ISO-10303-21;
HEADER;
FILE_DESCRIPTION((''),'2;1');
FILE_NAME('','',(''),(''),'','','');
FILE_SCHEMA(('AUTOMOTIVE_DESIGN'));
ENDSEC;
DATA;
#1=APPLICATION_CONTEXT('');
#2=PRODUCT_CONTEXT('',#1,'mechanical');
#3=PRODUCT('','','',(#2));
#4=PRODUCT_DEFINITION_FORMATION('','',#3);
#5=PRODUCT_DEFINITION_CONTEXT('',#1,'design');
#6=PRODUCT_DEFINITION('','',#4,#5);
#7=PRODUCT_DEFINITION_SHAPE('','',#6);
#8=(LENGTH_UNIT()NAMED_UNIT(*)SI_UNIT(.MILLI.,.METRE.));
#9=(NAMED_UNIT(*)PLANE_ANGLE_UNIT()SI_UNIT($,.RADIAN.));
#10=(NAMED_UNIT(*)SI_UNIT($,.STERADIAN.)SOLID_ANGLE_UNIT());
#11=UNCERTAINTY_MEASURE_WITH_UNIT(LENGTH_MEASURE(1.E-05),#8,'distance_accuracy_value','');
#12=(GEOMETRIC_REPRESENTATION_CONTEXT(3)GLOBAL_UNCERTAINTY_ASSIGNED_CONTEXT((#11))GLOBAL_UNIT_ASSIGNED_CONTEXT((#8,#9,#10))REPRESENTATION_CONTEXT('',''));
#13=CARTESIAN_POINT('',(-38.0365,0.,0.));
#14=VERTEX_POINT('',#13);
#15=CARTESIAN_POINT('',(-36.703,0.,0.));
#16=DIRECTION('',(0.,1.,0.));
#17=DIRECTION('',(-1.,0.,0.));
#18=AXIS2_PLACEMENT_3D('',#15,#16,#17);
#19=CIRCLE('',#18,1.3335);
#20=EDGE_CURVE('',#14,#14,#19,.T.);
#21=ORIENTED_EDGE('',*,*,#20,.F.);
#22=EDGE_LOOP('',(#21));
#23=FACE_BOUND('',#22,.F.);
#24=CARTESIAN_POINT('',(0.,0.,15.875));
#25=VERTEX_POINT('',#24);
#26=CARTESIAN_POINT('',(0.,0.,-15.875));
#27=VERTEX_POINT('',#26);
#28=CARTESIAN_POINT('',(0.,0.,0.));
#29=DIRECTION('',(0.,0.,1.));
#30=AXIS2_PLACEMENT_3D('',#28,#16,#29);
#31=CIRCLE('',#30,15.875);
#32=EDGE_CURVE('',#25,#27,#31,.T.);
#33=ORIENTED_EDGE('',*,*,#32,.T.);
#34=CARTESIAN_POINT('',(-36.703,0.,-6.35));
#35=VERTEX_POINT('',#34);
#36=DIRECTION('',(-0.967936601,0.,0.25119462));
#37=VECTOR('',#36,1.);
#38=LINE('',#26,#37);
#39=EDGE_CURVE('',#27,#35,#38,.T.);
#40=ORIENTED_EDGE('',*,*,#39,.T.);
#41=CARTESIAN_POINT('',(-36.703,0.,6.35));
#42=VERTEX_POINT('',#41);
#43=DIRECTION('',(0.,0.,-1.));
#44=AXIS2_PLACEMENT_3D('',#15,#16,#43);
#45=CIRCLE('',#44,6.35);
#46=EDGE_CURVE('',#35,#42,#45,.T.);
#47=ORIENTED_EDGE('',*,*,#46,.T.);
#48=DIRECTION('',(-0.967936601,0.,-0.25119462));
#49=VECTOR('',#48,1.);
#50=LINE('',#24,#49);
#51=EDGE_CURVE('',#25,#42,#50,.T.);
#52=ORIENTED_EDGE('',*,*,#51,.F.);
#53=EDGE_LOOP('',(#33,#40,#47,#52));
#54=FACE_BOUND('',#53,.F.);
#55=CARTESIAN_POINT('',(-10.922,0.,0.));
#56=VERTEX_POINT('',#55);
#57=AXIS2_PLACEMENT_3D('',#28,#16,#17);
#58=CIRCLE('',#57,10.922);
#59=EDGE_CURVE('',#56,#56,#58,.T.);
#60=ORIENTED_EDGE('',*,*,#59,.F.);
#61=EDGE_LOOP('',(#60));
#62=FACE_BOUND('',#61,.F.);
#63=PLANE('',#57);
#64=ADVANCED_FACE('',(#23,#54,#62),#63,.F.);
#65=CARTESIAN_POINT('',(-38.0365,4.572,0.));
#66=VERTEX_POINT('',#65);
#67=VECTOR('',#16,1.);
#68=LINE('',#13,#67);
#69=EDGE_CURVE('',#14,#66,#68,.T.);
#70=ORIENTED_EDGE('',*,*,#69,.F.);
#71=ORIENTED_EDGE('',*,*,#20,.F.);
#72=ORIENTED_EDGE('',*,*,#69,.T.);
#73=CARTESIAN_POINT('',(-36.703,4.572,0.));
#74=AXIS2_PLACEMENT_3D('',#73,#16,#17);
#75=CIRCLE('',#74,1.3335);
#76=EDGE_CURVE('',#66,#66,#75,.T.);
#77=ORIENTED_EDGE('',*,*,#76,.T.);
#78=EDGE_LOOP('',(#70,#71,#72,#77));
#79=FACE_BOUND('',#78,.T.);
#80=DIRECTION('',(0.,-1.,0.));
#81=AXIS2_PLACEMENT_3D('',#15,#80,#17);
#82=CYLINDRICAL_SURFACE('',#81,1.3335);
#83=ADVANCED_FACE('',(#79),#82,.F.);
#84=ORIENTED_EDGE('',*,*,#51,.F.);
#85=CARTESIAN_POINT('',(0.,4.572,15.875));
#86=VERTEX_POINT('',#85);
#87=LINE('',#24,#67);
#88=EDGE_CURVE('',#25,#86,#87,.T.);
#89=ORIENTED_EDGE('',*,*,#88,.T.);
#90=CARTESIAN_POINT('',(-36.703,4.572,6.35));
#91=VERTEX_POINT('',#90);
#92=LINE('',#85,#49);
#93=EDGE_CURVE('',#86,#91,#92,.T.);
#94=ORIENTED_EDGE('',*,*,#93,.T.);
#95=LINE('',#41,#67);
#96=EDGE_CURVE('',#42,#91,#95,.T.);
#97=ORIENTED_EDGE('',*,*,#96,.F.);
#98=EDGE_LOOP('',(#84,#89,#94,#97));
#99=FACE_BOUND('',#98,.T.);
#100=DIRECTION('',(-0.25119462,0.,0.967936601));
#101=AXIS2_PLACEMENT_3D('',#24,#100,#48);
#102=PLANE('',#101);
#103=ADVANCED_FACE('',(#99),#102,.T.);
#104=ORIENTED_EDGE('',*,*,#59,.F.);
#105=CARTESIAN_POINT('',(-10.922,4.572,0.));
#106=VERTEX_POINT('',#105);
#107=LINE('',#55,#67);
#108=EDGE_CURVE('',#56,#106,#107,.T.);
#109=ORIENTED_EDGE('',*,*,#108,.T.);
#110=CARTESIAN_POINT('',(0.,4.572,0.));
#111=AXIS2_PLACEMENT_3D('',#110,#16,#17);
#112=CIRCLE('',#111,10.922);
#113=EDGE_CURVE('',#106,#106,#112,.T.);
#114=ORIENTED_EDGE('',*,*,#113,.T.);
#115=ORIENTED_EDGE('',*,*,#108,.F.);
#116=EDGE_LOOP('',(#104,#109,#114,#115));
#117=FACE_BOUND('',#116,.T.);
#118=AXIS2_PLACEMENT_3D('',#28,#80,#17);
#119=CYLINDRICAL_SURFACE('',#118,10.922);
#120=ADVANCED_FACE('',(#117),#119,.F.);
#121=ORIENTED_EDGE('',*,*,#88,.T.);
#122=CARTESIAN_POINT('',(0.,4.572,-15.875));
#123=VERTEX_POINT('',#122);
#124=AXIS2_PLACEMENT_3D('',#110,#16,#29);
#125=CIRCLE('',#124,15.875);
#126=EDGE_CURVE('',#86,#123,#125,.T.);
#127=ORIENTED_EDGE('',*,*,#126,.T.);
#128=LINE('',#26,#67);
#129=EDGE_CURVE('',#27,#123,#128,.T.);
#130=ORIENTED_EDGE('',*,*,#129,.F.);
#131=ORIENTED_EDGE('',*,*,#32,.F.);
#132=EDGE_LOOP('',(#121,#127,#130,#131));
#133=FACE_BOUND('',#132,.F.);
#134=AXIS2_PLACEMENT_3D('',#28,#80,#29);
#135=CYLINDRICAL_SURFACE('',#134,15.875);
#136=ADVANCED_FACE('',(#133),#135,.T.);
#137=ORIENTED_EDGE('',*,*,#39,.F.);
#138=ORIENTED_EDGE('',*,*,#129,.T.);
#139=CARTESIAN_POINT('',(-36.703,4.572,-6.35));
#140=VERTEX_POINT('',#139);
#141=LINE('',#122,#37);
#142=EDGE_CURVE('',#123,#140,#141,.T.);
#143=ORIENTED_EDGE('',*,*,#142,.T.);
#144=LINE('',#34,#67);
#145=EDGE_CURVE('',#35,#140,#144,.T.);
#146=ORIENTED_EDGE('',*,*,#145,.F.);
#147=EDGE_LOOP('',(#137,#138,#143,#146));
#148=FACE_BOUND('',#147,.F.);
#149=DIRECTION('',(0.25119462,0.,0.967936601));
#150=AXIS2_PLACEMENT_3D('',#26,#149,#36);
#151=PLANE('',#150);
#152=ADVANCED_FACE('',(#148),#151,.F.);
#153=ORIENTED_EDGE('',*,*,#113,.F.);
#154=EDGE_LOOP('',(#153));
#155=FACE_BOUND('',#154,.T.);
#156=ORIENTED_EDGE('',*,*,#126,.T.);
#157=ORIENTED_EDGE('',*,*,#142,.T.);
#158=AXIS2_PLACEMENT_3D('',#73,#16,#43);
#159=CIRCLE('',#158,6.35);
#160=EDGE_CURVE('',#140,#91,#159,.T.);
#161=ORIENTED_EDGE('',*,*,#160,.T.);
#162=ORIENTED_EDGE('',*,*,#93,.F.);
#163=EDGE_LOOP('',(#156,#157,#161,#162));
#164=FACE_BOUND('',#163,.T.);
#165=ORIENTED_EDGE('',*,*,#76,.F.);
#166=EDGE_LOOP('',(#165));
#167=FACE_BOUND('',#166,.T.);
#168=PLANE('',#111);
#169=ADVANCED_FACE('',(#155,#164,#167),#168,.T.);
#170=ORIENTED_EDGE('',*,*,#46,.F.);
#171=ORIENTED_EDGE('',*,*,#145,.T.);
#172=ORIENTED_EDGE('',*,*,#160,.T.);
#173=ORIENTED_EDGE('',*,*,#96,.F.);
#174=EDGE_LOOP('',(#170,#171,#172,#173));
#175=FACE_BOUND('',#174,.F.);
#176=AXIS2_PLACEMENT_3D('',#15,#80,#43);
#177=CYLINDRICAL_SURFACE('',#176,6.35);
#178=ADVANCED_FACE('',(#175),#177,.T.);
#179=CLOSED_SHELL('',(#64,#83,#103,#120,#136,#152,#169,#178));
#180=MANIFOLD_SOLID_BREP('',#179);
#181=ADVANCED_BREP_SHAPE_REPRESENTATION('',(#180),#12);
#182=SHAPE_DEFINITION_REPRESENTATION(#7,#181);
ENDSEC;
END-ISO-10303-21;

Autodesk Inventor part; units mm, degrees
ref_plane "YZ Plane" through (0, 0, 0) normal (1, 0, 0) x (0, 1, 0)
ref_plane "XZ Plane" through (0, 0, 0) normal (0, 1, 0) x (-1, 0, 0)
ref_plane "XY Plane" through (0, 0, 0) normal (0, 0, 1) x (1, 0, 0)
sketch "Sketch1" plane through (0, 0, 0) normal (0, 1, 0) x (-1, 0, 0)
  circle A0 centre (0, 0) radius 10.922
  arc A1 (0, 15.875) -> (0, -15.875) centre (0, 0) ccw
  line L0 (0, 0) -> (36.703, 0) construction
  arc A2 (36.703, -6.35) -> (36.703, 6.35) centre (36.703, 0) ccw
  line L1 (0, 15.875) -> (36.703, 6.35)
  line L2 (0, -15.875) -> (36.703, -6.35)
  circle A3 centre (36.703, 0) radius 1.3335
  dimension "d0" = 21.844
  dimension "d1" = 31.75
  dimension "d2" = 36.703
  dimension "d3" = 12.7
  dimension "d4" = 2.667
extrude "Extrusion1" add sketch "Sketch1" along normal blind 4.572
properties part number "Light_Hooker"
